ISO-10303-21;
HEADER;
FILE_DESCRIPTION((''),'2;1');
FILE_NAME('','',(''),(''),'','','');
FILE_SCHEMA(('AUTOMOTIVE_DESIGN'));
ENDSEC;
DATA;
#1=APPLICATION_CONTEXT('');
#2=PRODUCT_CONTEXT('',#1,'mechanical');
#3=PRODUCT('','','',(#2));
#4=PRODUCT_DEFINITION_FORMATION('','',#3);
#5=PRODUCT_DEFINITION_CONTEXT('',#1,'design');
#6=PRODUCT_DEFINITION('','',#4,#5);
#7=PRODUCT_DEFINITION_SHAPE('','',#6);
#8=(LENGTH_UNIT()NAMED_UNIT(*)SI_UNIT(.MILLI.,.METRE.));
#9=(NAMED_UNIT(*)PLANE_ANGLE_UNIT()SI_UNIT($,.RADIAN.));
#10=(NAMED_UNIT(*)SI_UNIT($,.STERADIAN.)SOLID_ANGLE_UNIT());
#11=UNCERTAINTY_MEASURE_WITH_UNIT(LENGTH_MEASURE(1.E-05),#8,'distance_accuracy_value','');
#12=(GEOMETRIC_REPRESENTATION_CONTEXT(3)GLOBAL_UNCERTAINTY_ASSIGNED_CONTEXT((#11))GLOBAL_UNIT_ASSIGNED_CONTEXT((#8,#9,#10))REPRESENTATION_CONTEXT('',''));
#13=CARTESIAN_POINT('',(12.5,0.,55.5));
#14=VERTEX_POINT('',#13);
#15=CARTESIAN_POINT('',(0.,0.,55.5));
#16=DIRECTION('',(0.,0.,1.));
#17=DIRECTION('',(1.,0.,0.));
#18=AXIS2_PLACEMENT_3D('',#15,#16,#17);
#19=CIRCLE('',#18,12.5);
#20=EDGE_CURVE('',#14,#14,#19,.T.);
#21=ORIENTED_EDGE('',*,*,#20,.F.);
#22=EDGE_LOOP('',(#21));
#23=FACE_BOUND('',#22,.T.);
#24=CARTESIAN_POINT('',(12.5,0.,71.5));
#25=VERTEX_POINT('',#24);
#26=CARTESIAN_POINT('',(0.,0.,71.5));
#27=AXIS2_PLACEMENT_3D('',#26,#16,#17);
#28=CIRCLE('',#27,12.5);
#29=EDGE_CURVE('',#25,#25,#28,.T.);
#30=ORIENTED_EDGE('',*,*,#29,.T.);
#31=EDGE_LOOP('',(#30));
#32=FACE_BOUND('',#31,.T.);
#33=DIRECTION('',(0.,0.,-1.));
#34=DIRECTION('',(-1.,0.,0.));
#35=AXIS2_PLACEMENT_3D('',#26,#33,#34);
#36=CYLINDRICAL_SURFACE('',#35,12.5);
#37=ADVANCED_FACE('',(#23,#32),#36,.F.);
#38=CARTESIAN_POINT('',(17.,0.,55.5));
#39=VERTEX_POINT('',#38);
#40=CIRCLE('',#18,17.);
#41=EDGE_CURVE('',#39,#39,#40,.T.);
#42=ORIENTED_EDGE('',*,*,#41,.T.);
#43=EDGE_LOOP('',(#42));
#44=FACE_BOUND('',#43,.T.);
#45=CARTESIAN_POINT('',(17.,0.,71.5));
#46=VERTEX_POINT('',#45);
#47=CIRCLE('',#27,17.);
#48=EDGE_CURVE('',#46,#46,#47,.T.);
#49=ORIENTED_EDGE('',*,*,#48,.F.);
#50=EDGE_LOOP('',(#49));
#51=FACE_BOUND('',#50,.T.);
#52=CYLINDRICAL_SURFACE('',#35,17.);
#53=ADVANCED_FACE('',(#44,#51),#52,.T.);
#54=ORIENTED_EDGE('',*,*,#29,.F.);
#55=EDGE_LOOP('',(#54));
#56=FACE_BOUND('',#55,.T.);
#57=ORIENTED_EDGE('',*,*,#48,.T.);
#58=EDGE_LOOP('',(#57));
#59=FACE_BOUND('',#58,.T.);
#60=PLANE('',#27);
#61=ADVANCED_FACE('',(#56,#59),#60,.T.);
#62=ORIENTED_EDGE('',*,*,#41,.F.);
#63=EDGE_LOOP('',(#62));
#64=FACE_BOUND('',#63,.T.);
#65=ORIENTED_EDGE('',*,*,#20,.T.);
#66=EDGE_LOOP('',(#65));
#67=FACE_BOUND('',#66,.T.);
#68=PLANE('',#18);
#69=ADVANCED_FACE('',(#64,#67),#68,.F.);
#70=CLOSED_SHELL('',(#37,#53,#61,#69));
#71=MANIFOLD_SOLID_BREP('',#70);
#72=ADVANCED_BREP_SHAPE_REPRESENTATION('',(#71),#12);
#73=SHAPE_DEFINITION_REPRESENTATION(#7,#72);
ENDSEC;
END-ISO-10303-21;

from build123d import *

# Parameters (mm, degrees)
NEEDLE_OUTER_HUB_START = 55.5
SKETCH_1_R             = 17
SKETCH_1_R_2           = 12.5
NEEDLE_OUTER_HUB_DEPTH = 16


with BuildPart() as part:
    # Эскиз1 → Needle_outer_hub (new body)
    with BuildSketch(Plane.XY.offset(NEEDLE_OUTER_HUB_START)):
        Circle(SKETCH_1_R)
        Circle(SKETCH_1_R_2, mode=Mode.SUBTRACT)
    extrude(amount=NEEDLE_OUTER_HUB_DEPTH)


solid = part.part
